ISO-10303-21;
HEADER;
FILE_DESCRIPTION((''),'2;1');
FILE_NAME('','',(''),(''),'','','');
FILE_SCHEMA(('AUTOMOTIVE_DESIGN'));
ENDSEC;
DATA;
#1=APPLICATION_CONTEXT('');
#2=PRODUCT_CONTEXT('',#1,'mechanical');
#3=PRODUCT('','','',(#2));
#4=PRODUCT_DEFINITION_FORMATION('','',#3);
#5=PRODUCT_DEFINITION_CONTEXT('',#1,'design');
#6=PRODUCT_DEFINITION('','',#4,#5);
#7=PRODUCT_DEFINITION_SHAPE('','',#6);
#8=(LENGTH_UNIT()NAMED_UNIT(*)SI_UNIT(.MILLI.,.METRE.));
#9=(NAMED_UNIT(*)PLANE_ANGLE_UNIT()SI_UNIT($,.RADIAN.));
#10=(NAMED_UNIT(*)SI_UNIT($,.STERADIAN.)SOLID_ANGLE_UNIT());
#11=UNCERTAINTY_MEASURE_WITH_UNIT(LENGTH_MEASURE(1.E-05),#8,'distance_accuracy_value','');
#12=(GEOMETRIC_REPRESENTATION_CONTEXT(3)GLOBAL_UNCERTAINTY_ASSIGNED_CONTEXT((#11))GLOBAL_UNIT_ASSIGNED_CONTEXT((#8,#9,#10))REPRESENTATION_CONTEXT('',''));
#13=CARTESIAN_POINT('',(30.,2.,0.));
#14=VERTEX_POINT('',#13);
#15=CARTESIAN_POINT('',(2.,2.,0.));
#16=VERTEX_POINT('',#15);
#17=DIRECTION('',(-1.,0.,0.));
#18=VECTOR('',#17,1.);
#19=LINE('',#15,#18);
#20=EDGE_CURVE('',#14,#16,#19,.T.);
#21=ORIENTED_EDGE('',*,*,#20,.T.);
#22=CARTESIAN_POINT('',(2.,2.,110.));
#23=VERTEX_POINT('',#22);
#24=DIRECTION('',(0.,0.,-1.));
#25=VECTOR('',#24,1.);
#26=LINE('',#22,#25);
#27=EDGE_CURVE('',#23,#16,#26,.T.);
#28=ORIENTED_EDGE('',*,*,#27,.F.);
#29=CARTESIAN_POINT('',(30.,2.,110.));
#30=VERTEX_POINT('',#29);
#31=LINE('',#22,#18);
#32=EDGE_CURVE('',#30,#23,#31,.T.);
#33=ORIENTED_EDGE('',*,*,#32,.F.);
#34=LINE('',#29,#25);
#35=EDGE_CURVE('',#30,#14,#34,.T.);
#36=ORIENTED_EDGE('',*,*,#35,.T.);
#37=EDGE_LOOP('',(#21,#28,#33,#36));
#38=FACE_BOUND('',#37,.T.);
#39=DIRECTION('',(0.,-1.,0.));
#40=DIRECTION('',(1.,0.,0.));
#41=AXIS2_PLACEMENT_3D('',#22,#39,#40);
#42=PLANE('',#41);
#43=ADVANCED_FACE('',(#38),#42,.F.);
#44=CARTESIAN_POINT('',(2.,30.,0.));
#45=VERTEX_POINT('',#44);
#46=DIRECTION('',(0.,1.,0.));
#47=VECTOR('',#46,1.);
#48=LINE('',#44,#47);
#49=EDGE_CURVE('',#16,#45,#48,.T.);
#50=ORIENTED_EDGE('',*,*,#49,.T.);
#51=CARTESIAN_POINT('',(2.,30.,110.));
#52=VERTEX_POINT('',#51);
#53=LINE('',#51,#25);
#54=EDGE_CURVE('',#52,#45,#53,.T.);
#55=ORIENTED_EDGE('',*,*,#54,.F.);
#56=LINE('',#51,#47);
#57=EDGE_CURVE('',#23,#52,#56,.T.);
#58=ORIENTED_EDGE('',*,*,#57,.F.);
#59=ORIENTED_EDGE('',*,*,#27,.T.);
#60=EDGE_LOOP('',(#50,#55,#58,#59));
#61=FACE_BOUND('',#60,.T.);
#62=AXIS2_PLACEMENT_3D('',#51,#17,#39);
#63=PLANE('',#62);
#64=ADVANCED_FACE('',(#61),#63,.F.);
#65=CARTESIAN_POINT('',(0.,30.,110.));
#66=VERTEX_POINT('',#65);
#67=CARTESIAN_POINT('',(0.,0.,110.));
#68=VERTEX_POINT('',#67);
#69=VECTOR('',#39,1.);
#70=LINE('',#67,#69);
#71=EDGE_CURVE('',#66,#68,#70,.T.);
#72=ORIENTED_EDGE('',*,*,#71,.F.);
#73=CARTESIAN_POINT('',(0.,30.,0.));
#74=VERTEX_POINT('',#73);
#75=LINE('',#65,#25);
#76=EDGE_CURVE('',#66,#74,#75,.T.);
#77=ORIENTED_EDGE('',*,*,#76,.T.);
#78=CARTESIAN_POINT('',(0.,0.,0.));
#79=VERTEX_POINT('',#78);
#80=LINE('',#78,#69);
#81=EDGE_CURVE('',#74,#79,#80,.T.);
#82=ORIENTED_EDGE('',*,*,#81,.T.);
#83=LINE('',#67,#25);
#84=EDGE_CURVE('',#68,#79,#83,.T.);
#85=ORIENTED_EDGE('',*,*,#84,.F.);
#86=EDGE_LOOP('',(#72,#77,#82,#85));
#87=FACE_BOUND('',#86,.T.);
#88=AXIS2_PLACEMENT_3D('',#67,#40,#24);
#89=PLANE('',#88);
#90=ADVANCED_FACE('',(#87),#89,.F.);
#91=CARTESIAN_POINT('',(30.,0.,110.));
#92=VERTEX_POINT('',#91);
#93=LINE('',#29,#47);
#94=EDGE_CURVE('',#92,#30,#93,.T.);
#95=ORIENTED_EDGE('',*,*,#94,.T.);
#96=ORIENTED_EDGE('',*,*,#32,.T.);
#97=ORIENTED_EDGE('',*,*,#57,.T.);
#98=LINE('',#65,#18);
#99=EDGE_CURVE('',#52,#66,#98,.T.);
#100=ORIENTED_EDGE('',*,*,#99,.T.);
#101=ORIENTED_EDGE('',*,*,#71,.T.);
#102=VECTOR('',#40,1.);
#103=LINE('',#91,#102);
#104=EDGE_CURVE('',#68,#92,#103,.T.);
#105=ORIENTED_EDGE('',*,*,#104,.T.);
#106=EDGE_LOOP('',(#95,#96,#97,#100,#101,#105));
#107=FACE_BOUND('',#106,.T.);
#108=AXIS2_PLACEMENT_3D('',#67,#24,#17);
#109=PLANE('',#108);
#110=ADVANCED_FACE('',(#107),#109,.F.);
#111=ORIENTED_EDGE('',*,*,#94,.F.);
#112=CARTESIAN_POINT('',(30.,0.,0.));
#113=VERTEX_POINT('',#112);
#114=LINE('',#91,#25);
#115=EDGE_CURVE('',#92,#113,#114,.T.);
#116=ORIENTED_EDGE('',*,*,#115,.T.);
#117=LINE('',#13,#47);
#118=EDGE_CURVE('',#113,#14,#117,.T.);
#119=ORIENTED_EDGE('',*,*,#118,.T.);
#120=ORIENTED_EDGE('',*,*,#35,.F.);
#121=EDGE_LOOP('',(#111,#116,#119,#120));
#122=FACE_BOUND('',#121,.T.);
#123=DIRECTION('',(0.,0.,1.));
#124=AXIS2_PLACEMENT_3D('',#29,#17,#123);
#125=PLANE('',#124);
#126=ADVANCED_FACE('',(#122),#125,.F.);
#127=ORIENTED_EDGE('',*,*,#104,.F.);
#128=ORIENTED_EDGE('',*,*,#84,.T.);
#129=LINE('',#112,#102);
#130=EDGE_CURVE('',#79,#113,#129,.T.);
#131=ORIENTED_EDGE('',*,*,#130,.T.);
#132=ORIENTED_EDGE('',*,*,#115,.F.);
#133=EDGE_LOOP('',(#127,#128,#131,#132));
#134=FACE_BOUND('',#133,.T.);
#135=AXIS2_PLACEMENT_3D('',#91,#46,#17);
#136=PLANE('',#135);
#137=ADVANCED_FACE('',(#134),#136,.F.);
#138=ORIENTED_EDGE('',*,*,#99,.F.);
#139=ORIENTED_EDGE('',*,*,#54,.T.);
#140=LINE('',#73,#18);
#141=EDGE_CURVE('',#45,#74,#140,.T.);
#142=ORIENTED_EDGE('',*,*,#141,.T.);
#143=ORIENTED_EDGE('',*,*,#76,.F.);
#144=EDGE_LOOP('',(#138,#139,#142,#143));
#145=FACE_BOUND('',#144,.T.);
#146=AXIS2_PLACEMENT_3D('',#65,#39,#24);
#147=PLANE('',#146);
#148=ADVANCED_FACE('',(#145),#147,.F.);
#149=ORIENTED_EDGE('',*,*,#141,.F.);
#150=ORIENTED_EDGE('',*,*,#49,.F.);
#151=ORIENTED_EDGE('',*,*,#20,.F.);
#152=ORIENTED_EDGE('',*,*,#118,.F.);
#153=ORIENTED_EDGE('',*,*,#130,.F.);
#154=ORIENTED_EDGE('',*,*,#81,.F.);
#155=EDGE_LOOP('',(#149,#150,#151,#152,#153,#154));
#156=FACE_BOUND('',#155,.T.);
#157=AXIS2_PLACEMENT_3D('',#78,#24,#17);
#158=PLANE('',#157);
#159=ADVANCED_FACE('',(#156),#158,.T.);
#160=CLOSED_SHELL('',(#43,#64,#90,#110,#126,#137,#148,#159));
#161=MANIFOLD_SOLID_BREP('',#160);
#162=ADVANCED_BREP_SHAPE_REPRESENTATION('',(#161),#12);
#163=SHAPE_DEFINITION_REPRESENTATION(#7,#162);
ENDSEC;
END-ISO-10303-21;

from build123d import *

# Parameters (mm, degrees)
BOSS_EXTRU_1_DEPTH = 110


with BuildPart() as part:
    # Esquisse1 → Boss.-Extru.1 (new body)
    with BuildSketch(Plane.XY):
        Polygon((0, 0), (0, 30), (2, 30), (2, 2), (30, 2), (30, 0), align=None)
    extrude(amount=BOSS_EXTRU_1_DEPTH)


solid = part.part
